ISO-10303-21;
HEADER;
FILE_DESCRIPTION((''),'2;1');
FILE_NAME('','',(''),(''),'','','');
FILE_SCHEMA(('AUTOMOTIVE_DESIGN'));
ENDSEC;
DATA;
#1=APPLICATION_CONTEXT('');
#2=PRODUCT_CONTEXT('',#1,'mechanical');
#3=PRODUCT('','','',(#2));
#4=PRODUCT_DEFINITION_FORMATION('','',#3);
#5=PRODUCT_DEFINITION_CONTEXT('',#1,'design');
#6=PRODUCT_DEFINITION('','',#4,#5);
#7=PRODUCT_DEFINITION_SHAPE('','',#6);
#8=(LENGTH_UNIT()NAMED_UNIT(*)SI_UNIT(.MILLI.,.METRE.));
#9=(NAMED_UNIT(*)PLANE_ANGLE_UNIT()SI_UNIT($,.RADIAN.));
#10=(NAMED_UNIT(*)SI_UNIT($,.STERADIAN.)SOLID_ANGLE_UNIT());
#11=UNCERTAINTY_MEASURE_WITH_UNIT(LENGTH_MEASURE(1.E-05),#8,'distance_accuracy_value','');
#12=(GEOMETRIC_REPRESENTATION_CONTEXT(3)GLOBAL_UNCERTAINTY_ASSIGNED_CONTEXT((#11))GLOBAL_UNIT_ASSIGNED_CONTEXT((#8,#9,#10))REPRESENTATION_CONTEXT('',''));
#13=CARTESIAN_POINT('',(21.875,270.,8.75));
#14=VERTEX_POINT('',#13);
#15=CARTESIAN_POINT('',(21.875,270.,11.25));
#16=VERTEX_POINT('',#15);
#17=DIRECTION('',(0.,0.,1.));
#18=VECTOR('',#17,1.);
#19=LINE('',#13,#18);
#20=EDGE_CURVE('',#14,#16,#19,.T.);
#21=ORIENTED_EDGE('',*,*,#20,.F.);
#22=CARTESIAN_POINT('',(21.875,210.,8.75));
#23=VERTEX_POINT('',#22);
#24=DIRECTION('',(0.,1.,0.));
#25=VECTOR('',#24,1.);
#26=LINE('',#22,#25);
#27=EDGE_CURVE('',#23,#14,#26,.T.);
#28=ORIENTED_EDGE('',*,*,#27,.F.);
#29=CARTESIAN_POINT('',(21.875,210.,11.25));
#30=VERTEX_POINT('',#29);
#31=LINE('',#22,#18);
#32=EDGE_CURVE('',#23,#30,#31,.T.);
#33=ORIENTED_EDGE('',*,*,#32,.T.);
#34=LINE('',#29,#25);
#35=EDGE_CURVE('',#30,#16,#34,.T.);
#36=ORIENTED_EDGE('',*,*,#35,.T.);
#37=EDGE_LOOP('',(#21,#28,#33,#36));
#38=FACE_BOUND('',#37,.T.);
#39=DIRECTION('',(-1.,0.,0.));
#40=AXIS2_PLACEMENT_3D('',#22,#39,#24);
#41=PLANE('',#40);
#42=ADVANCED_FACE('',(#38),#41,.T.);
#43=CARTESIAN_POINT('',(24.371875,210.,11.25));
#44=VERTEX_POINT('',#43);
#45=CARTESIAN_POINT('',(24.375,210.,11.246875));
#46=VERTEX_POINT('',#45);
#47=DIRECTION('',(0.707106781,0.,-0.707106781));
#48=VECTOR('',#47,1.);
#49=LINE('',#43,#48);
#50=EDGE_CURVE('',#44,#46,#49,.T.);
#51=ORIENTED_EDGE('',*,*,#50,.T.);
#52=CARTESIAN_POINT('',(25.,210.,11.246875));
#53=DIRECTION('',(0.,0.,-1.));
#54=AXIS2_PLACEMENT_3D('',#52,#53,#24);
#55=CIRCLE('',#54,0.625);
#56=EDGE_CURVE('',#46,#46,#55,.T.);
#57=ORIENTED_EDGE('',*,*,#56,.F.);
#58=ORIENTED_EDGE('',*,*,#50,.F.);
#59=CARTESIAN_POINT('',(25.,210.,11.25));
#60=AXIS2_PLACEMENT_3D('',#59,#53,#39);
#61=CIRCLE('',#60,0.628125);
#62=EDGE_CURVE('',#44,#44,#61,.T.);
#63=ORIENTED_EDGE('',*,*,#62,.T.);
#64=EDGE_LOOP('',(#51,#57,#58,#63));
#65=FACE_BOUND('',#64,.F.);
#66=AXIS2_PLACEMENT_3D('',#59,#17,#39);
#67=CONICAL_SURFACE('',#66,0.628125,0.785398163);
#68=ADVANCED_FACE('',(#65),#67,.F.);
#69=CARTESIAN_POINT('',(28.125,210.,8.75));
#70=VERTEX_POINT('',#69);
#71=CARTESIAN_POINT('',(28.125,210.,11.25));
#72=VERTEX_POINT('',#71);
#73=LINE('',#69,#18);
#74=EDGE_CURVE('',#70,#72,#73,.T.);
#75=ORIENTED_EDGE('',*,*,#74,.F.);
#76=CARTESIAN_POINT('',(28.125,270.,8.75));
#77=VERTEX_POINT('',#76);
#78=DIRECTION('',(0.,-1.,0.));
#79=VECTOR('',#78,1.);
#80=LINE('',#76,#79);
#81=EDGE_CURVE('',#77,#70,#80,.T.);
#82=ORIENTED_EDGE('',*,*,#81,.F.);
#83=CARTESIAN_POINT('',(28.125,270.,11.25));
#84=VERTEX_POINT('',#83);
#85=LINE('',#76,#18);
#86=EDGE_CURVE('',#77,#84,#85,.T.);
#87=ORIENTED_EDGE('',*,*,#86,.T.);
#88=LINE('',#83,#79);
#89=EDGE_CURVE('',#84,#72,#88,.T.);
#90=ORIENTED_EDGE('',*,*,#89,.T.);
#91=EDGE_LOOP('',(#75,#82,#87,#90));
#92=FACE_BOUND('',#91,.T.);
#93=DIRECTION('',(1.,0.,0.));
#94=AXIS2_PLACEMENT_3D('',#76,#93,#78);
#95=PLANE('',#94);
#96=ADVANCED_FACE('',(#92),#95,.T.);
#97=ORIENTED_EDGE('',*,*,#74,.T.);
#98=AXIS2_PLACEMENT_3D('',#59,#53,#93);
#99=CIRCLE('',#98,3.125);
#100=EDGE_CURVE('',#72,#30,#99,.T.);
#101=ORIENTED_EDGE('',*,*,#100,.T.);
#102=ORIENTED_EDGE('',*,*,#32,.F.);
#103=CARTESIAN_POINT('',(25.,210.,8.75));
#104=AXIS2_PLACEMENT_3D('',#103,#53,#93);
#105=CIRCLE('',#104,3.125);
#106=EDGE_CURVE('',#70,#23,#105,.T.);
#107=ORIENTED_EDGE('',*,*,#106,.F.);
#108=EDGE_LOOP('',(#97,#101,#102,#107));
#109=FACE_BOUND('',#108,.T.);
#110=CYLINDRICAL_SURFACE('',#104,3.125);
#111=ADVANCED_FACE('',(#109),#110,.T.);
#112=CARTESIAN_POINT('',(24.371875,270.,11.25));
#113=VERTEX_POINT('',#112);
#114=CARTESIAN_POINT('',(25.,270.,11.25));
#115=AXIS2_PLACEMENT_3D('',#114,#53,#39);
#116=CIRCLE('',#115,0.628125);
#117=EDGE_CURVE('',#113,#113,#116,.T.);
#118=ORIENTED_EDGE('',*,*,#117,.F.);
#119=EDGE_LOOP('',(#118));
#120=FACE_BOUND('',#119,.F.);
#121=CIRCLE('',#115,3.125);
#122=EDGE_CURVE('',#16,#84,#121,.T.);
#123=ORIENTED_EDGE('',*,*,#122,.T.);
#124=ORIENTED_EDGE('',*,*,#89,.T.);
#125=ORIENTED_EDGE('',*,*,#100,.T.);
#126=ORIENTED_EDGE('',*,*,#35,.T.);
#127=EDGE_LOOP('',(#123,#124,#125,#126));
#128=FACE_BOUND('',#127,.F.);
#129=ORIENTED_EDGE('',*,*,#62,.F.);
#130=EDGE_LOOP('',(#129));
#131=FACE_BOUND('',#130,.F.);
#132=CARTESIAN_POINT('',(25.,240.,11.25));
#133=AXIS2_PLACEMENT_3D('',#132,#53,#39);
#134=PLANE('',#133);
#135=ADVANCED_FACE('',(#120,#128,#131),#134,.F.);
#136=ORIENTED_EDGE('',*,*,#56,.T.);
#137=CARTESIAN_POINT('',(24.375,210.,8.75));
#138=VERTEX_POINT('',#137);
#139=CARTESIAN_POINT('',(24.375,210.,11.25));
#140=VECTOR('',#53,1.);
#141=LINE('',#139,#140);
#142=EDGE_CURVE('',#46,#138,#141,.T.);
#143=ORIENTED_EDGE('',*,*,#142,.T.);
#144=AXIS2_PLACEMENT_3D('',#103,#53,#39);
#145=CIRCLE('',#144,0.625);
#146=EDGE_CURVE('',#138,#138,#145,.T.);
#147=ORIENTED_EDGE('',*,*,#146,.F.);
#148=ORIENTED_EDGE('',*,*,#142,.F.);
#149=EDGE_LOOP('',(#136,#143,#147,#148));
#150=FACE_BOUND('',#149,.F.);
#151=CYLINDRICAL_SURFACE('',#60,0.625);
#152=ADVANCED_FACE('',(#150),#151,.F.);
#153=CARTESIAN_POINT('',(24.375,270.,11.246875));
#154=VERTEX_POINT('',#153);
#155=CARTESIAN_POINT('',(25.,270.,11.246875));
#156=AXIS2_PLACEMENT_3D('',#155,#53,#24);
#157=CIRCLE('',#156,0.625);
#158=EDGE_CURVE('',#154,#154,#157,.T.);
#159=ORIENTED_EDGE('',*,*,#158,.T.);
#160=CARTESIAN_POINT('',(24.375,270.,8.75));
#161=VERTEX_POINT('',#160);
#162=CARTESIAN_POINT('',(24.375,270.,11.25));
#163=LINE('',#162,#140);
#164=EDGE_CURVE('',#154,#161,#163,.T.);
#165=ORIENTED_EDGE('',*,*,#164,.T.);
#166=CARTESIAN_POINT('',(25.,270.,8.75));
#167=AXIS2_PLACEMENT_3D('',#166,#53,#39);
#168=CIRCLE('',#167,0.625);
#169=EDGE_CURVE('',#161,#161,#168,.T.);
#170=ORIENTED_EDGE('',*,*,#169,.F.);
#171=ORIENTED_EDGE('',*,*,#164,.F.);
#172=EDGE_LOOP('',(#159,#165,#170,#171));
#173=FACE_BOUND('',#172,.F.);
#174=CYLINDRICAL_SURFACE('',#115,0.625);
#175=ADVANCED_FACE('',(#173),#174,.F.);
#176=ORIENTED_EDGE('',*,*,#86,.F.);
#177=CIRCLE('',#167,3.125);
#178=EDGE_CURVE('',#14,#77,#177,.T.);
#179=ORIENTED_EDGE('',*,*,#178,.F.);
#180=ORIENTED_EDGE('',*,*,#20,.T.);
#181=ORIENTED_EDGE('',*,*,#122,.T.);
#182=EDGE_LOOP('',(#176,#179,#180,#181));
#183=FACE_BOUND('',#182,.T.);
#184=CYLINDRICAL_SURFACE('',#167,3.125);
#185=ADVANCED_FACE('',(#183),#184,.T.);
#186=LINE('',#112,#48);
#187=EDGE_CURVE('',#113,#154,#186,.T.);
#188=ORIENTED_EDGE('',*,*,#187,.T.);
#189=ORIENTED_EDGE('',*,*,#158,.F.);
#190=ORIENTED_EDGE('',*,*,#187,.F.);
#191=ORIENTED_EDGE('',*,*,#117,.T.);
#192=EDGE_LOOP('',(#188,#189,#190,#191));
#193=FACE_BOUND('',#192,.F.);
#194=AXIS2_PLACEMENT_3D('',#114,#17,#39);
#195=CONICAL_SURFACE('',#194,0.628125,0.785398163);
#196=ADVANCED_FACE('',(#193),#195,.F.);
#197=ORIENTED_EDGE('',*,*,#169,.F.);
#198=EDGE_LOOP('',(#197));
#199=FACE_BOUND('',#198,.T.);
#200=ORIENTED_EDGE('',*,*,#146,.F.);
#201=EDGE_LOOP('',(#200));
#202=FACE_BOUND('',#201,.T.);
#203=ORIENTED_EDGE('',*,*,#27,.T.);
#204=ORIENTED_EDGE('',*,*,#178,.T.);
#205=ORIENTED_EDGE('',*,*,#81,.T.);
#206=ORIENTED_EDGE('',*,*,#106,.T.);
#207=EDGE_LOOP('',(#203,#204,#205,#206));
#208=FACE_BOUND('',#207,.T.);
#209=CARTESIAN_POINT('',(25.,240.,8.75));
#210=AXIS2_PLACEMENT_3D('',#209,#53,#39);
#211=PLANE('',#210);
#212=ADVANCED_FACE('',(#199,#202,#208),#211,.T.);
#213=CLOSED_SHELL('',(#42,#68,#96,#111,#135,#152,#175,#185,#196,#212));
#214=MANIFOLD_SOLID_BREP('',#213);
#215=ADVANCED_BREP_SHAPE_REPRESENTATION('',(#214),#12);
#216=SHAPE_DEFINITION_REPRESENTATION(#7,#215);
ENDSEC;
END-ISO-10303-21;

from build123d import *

# Parameters (mm, degrees)
BOSS_EXTRUDE1_DEPTH              = 20
F_10_0MM_DOWEL_HOLE1_D           = 10
F_10_0MM_DOWEL_HOLE1_DEPTH       = 20
F_10_0MM_DOWEL_HOLE1_CSINK_D     = 10.05
F_10_0MM_DOWEL_HOLE1_CSINK_ANGLE = 90
SCALE1_SCALE                     = 0.125


with BuildPart() as part:
    # Sketch1 → Boss-Extrude1 (new body)
    with BuildSketch(Plane.XY):
        with BuildLine():
            Line((0, 0), (0, 480))
            ThreePointArc((0, 480), (25, 505), (50, 480))
            Line((50, 480), (50, 0))
            ThreePointArc((50, 0), (25, -25), (0, 0))
        make_face()
    extrude(amount=BOSS_EXTRUDE1_DEPTH)

    # Ø10.0mm Dowel Hole1
    with Locations(Plane.XY.offset(20)):
        with Locations((25, 480), (25, 0)):
            CounterSinkHole(F_10_0MM_DOWEL_HOLE1_D / 2, F_10_0MM_DOWEL_HOLE1_CSINK_D / 2, depth=F_10_0MM_DOWEL_HOLE1_DEPTH, counter_sink_angle=F_10_0MM_DOWEL_HOLE1_CSINK_ANGLE)


with BuildPart() as part_1:
    # Scale1: scaled about (25, 240, 9.999999619)
    add(part.part.scale(SCALE1_SCALE).moved(Location((21.875, 210, 8.749999667))))


solid = part_1.part
